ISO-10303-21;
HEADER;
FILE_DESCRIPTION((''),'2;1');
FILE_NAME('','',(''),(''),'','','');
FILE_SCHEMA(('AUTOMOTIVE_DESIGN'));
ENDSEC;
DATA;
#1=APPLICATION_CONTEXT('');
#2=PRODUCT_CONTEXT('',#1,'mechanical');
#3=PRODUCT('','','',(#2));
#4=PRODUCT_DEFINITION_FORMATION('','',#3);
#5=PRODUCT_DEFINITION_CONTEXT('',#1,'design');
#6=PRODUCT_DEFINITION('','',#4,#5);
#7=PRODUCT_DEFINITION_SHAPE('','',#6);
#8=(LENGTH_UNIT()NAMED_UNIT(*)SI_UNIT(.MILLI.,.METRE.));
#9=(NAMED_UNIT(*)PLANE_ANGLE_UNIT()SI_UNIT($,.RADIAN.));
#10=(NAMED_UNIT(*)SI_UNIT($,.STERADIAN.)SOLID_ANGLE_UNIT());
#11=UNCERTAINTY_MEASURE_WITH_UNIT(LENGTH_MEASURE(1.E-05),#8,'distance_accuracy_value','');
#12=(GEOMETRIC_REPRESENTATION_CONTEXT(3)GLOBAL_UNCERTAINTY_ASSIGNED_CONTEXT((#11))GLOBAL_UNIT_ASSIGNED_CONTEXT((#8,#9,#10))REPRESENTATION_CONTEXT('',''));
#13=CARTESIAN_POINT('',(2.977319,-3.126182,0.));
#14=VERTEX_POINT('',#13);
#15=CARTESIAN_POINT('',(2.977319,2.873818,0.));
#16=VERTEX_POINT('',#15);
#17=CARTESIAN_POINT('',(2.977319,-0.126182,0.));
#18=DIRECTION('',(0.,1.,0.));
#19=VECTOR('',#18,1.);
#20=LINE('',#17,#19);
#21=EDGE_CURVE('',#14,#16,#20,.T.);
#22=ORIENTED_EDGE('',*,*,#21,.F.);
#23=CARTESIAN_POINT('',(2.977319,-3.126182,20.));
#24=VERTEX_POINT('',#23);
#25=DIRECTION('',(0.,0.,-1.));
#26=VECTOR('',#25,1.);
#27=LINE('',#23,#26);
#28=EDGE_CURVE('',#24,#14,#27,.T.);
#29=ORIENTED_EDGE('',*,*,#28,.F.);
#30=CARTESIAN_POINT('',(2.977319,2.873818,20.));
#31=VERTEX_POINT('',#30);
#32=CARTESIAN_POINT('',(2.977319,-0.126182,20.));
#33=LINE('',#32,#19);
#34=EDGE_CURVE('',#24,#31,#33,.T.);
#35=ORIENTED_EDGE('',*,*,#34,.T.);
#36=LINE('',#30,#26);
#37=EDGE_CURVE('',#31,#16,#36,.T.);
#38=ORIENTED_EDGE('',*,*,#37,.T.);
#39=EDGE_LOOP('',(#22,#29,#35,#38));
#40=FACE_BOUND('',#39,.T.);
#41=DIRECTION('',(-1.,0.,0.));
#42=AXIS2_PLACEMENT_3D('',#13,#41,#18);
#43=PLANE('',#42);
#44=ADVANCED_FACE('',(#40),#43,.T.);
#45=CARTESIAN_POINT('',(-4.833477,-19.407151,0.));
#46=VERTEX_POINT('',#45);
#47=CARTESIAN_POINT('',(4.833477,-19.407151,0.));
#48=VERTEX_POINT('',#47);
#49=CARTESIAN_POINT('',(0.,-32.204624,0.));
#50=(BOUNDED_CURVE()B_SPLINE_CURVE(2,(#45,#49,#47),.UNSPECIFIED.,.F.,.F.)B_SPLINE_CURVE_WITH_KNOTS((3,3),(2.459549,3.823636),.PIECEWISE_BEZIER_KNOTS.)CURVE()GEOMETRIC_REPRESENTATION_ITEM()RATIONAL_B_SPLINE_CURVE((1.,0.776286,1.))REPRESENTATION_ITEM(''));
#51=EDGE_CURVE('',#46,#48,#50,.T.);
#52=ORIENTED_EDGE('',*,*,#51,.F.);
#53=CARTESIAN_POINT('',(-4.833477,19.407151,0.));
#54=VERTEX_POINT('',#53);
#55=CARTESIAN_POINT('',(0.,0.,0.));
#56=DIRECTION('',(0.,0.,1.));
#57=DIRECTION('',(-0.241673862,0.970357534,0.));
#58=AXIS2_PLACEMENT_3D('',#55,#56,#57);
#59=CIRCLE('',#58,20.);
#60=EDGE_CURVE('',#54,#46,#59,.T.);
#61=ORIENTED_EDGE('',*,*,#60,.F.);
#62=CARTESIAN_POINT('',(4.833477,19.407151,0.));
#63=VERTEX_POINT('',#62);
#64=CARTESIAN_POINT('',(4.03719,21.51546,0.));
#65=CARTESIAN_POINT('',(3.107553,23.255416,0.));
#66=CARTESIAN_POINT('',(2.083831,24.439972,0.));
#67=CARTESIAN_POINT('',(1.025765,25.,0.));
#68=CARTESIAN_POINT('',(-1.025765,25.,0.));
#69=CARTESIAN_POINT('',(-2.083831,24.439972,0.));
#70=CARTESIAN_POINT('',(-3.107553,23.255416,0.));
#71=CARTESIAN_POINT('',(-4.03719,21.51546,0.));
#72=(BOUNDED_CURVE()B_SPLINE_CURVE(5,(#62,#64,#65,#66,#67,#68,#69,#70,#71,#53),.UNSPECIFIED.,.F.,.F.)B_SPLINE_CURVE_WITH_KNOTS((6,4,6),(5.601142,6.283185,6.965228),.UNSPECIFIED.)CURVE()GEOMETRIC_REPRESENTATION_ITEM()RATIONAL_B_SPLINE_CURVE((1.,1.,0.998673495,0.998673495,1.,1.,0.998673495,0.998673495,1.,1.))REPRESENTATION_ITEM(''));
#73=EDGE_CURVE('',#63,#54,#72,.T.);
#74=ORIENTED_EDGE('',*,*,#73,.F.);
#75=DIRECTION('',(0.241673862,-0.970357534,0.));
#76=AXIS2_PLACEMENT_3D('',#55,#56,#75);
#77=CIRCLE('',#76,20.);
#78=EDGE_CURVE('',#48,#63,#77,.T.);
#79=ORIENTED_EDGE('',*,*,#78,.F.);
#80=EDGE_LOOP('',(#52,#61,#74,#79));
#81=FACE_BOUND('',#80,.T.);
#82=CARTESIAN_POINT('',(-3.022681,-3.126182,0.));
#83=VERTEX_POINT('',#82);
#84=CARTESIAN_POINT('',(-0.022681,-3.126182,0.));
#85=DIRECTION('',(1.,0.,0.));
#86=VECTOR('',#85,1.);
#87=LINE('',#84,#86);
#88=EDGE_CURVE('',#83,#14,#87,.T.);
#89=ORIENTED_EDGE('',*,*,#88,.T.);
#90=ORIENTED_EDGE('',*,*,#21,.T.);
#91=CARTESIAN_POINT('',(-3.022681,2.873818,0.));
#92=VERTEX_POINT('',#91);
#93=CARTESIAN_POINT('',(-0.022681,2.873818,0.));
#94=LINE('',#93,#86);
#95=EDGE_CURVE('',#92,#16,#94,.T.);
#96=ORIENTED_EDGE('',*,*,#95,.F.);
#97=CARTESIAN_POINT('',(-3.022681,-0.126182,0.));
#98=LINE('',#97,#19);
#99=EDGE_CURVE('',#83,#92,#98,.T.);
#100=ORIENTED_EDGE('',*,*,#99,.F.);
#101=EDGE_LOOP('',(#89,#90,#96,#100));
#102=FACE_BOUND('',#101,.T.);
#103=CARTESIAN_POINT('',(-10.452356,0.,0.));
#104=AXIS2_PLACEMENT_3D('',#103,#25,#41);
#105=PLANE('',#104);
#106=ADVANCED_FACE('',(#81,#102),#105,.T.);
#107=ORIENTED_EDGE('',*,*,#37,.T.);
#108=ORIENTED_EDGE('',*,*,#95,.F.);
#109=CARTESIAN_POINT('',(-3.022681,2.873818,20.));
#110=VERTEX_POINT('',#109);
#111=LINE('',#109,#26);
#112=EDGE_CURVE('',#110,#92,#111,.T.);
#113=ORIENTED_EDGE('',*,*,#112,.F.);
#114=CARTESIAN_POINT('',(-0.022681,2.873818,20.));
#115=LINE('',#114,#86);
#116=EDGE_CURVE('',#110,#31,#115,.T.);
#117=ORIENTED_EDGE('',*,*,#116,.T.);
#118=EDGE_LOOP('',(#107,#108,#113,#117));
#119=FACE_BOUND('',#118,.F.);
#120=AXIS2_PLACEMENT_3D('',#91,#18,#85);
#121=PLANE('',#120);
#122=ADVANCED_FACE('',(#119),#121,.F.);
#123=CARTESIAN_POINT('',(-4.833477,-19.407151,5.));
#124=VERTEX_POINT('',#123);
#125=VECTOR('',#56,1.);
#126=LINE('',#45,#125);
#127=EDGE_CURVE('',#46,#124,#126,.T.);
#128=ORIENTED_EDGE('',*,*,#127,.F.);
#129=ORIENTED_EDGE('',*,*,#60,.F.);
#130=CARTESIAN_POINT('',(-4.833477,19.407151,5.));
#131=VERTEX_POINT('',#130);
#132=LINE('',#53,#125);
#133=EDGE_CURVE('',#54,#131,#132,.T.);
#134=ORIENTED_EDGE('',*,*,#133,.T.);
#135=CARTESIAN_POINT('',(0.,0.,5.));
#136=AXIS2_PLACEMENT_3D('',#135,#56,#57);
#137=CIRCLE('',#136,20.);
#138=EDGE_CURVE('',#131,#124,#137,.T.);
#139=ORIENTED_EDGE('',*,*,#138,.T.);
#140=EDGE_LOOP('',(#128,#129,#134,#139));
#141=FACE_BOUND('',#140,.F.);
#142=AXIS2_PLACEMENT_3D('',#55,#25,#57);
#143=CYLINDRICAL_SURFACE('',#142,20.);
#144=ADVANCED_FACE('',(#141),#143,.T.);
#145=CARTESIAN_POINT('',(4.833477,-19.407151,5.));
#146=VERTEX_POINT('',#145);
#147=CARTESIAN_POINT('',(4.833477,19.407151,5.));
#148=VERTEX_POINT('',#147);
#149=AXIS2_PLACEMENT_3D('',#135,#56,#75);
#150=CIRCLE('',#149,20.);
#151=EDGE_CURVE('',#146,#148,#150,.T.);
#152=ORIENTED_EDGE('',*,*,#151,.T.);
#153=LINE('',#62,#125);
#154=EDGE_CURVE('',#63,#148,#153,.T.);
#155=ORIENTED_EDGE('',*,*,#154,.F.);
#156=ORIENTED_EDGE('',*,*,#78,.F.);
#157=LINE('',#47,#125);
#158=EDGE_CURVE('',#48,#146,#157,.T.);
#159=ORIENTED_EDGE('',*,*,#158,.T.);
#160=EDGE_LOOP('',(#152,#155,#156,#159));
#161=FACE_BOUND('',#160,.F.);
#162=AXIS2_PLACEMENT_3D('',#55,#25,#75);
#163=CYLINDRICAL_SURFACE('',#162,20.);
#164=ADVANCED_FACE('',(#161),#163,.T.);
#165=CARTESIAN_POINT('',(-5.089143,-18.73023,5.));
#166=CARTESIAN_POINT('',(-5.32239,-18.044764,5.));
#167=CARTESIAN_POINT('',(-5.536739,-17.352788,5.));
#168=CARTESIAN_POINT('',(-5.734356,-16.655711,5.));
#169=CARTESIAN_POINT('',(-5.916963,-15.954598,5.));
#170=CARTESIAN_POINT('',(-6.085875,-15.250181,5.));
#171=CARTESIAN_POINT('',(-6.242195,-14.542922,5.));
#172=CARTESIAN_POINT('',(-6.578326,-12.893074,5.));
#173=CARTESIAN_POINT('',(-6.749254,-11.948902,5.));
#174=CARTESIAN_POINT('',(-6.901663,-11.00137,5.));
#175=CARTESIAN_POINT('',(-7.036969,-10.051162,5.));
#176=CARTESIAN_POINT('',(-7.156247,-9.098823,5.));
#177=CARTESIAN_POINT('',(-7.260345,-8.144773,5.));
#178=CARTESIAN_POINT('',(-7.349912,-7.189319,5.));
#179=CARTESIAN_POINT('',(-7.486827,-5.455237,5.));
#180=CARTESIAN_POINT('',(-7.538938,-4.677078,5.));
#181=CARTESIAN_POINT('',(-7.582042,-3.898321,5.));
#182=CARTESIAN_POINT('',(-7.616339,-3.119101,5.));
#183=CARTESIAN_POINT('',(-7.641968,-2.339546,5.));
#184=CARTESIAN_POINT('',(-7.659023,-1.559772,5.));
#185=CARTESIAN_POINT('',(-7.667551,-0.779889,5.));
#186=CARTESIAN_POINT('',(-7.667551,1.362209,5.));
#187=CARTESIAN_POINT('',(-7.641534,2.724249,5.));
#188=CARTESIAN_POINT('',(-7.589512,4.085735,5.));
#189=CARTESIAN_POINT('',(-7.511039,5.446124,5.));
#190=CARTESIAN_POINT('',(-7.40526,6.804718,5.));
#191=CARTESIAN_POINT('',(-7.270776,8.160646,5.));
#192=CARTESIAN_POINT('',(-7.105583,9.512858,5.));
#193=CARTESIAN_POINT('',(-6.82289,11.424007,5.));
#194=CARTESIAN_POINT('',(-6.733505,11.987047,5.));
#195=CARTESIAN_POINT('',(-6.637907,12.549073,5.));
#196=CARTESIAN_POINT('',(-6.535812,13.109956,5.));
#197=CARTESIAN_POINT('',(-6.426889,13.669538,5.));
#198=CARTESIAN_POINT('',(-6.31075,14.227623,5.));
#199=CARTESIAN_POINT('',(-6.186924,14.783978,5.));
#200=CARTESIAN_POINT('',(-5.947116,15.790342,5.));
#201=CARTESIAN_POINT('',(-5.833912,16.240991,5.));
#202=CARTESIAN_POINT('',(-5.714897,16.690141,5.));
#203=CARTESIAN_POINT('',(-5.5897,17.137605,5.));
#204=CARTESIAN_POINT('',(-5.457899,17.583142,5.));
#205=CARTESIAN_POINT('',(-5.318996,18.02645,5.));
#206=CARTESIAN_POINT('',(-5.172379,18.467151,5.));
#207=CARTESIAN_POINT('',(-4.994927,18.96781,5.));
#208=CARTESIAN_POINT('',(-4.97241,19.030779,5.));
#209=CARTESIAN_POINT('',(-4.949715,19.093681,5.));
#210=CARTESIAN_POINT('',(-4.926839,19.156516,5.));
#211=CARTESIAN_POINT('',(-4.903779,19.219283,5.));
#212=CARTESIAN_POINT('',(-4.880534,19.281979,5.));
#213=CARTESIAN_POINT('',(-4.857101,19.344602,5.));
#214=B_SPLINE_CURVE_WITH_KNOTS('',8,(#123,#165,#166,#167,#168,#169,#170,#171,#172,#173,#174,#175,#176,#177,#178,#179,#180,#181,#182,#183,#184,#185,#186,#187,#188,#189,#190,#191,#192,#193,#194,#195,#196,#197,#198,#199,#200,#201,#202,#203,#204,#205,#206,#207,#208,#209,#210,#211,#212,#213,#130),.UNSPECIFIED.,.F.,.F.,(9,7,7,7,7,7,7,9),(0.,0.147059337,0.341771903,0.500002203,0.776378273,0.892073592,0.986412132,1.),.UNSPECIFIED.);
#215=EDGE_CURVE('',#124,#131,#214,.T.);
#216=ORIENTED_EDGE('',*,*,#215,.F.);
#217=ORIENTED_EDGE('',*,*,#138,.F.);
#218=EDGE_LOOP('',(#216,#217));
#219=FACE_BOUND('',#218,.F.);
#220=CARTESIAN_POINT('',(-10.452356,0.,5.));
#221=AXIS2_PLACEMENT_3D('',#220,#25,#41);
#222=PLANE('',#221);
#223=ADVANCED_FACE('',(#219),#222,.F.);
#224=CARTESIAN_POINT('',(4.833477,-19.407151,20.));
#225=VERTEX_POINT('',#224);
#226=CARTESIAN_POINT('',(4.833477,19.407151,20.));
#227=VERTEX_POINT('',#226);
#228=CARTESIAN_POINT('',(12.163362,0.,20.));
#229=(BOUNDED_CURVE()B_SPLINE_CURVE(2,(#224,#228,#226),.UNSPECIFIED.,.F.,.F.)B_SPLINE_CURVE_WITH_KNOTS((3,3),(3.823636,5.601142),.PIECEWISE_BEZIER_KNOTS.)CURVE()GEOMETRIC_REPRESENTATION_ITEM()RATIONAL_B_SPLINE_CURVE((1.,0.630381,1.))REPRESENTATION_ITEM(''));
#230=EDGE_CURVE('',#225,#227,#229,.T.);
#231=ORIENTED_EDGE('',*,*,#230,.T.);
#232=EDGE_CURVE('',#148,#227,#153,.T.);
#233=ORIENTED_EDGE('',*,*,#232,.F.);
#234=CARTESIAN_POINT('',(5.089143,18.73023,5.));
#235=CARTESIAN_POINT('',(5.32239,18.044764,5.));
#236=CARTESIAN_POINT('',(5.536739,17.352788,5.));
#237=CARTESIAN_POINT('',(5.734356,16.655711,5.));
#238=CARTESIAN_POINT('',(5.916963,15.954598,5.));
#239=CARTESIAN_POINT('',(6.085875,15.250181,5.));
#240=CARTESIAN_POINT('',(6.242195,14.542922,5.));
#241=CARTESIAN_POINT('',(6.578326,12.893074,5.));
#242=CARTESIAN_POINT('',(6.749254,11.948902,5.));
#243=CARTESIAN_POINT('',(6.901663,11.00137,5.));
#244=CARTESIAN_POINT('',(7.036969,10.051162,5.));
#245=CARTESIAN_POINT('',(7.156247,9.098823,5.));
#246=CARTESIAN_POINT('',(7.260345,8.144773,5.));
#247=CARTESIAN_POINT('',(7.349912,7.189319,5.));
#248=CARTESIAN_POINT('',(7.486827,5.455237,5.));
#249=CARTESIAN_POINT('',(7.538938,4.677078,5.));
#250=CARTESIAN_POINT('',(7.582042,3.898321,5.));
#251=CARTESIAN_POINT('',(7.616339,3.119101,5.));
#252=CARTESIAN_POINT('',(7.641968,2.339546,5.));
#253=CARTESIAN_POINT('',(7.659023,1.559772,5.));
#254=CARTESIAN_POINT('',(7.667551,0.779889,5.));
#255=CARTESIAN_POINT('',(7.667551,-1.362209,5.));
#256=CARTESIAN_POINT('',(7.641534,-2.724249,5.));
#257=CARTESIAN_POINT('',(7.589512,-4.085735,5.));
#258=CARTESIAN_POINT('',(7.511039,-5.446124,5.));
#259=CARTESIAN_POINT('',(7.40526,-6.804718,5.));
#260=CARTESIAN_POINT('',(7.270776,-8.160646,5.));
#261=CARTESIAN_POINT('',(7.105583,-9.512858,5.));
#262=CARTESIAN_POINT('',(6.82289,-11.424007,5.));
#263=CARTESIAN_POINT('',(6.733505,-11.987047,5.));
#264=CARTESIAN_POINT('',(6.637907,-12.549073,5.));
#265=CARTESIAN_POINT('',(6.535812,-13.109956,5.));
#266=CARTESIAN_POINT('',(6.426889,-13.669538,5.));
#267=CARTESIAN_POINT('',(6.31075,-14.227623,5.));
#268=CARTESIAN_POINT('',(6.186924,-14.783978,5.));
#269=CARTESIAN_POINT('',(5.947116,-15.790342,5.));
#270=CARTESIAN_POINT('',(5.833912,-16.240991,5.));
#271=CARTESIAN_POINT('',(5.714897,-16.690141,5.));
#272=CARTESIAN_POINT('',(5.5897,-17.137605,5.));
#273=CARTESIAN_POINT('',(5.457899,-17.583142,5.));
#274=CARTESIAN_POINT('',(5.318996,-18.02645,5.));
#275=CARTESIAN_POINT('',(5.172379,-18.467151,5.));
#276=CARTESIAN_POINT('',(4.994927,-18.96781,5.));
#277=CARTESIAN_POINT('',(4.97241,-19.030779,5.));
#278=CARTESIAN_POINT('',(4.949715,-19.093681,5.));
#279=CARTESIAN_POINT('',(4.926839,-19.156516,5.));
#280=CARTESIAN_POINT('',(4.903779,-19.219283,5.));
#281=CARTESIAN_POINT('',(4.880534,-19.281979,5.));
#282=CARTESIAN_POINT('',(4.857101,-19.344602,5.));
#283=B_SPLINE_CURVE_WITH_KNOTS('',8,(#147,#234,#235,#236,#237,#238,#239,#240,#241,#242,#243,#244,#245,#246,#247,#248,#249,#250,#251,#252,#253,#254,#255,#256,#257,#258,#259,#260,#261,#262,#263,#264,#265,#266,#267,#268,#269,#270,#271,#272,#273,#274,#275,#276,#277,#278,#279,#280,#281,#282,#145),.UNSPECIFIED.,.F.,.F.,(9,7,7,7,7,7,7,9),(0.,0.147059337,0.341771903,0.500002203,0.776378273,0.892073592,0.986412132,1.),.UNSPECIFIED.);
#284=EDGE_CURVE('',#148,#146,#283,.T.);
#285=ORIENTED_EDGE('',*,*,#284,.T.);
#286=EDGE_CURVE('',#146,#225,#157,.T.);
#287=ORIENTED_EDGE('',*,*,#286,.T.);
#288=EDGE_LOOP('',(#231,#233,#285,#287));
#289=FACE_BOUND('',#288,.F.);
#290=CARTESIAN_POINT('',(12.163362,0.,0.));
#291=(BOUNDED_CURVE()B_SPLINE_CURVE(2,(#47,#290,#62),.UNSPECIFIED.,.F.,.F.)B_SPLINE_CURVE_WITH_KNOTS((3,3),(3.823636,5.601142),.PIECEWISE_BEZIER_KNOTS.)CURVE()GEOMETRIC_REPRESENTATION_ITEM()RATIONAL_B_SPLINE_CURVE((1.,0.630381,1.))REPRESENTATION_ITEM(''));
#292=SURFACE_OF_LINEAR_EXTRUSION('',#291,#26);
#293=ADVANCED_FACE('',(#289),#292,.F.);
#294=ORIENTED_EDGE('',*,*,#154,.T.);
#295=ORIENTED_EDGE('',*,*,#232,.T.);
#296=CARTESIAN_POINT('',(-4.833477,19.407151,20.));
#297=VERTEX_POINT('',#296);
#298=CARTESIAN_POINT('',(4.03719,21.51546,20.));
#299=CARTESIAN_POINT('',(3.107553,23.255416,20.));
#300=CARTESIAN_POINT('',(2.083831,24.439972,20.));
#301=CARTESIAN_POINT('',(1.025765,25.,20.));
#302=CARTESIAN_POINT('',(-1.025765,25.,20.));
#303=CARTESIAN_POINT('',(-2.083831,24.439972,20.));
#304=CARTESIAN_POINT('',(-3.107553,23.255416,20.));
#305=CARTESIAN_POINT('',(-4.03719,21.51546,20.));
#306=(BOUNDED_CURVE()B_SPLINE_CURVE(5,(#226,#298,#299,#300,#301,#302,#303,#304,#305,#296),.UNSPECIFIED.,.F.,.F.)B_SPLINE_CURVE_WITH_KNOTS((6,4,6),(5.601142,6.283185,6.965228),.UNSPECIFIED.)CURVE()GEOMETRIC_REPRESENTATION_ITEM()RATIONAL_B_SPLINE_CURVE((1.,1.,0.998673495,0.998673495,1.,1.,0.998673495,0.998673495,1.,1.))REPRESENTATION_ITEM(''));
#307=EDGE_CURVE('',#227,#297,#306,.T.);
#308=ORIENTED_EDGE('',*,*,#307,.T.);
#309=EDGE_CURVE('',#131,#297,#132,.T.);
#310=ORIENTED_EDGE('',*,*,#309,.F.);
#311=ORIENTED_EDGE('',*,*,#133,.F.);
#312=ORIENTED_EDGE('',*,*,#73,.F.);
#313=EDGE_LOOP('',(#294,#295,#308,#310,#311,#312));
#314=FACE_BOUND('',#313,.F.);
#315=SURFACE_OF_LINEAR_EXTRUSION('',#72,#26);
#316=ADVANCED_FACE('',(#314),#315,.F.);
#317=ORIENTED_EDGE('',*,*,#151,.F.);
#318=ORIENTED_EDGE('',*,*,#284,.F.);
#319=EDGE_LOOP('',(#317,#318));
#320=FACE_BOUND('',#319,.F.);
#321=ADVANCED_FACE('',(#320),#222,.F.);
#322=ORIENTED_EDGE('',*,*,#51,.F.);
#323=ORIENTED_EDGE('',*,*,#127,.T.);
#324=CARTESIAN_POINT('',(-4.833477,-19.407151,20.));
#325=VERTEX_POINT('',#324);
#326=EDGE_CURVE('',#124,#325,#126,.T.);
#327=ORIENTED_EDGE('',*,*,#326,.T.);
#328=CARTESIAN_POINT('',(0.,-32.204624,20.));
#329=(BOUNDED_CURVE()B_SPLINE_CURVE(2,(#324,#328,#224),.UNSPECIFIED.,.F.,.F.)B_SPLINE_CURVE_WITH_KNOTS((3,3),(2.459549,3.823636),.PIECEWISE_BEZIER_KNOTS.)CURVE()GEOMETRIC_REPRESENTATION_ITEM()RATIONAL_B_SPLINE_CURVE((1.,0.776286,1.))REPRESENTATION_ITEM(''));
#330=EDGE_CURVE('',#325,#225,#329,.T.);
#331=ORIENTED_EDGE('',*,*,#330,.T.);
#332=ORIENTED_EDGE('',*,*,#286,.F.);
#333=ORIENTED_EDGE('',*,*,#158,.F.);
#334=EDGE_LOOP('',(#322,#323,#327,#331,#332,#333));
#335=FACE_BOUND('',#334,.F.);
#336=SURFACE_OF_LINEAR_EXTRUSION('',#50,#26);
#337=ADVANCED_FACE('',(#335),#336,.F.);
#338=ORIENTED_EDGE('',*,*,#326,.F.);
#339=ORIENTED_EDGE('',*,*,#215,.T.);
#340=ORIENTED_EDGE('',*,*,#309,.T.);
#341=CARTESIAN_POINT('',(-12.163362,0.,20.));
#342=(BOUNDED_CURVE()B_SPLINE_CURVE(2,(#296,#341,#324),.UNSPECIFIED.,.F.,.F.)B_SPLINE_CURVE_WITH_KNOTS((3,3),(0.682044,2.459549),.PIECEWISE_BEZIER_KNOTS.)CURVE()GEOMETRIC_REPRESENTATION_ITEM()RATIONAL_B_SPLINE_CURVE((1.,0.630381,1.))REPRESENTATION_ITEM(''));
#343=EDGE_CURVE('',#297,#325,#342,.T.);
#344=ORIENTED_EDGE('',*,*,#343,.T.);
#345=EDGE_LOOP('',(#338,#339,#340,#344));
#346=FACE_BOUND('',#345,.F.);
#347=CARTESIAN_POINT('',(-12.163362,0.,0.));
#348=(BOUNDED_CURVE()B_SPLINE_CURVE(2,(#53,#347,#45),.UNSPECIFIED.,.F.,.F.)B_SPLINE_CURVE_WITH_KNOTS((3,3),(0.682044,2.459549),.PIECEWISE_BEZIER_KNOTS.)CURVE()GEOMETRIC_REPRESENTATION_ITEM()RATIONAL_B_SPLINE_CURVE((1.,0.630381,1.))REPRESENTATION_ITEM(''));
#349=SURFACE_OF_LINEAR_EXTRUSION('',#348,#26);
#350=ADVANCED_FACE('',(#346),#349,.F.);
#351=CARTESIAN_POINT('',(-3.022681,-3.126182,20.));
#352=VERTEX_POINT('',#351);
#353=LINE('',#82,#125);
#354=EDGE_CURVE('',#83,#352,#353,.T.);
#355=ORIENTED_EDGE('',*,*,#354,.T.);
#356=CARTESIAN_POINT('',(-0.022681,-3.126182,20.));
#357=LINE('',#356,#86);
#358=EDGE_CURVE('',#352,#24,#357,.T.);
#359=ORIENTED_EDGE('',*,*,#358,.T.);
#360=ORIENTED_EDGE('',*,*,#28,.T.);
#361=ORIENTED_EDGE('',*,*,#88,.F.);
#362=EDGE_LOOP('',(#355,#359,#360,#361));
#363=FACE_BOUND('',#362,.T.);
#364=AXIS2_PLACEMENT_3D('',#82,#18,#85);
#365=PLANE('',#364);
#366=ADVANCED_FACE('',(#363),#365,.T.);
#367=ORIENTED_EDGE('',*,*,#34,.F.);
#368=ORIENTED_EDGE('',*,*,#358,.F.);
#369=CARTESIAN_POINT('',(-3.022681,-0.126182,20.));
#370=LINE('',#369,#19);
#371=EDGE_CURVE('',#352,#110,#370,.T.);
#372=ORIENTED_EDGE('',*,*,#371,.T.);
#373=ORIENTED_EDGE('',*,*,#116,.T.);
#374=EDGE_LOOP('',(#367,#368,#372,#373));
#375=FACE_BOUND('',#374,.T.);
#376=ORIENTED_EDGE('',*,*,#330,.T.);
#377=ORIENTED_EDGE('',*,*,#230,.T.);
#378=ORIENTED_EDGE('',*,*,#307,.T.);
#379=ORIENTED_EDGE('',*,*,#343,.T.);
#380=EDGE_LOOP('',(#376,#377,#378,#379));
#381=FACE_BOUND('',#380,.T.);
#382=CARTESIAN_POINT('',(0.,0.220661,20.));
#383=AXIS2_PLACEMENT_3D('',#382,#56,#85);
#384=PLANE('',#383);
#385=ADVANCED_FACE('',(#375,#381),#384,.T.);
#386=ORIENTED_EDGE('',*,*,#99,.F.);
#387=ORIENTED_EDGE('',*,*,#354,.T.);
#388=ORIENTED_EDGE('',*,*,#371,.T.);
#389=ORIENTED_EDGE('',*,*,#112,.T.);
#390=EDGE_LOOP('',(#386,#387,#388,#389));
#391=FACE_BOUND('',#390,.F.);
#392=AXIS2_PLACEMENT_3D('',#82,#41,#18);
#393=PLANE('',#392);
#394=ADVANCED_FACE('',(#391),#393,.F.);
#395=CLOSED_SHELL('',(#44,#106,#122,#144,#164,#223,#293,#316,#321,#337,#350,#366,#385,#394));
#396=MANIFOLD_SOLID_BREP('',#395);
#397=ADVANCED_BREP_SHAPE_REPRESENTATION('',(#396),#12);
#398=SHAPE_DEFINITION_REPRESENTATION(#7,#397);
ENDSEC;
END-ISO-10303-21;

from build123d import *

# Parameters (mm, degrees)
F0_W     = 6
F0_H     = 6
F1_DEPTH = 20
F2_DEPTH = 5


with BuildPart() as f1:
    # F0 (on Top) → F1 (new body)
    with BuildSketch(Plane.XY):
        with BuildLine():
            add(Edge.make_bspline(
                [(0, 25), (-2.721114, 25), (-4.833477, 19.407151)],
                knots=[0, 0, 0, 0.682044, 0.682044, 0.682044], degree=2, weights=[1, 0.942413, 1]))
            add(Edge.make_bspline(
                [(-4.833477, 19.407151), (-12.163362, 0), (-4.833477, -19.407151)],
                knots=[0.682044, 0.682044, 0.682044, 2.459549, 2.459549, 2.459549], degree=2, weights=[1, 0.630381, 1]))
            add(Edge.make_bspline(
                [(-4.833477, -19.407151), (0, -32.204624), (4.833477, -19.407151)],
                knots=[2.459549, 2.459549, 2.459549, 3.823636, 3.823636, 3.823636], degree=2, weights=[1, 0.776286, 1]))
            add(Edge.make_bspline(
                [(4.833477, -19.407151), (12.163362, 0), (4.833477, 19.407151)],
                knots=[3.823636, 3.823636, 3.823636, 5.601142, 5.601142, 5.601142], degree=2, weights=[1, 0.630381, 1]))
            add(Edge.make_bspline(
                [(4.833477, 19.407151), (2.721114, 25), (0, 25)],
                knots=[5.601142, 5.601142, 5.601142, 6.283185, 6.283185, 6.283185], degree=2, weights=[1, 0.942413, 1]))
        make_face()
        with Locations((-0.022681, -0.126182)):
            Rectangle(F0_W, F0_H, mode=Mode.SUBTRACT)
    extrude(amount=F1_DEPTH)

    # F0 (on Top) → F2 (join)
    with BuildSketch(Plane.XY):
        with BuildLine():
            add(Edge.make_bspline(
                [(-4.833477, 19.407151), (-12.163362, 0), (-4.833477, -19.407151)],
                knots=[0.682044, 0.682044, 0.682044, 2.459549, 2.459549, 2.459549], degree=2, weights=[1, 0.630381, 1]))
            ThreePointArc((-4.833477, 19.407151), (-20, 0), (-4.833477, -19.407151))
        make_face()
        with BuildLine():
            add(Edge.make_bspline(
                [(0, 25), (-2.721114, 25), (-4.833477, 19.407151)],
                knots=[0, 0, 0, 0.682044, 0.682044, 0.682044], degree=2, weights=[1, 0.942413, 1]))
            add(Edge.make_bspline(
                [(-4.833477, 19.407151), (-12.163362, 0), (-4.833477, -19.407151)],
                knots=[0.682044, 0.682044, 0.682044, 2.459549, 2.459549, 2.459549], degree=2, weights=[1, 0.630381, 1]))
            add(Edge.make_bspline(
                [(-4.833477, -19.407151), (0, -32.204624), (4.833477, -19.407151)],
                knots=[2.459549, 2.459549, 2.459549, 3.823636, 3.823636, 3.823636], degree=2, weights=[1, 0.776286, 1]))
            add(Edge.make_bspline(
                [(4.833477, -19.407151), (12.163362, 0), (4.833477, 19.407151)],
                knots=[3.823636, 3.823636, 3.823636, 5.601142, 5.601142, 5.601142], degree=2, weights=[1, 0.630381, 1]))
            add(Edge.make_bspline(
                [(4.833477, 19.407151), (2.721114, 25), (0, 25)],
                knots=[5.601142, 5.601142, 5.601142, 6.283185, 6.283185, 6.283185], degree=2, weights=[1, 0.942413, 1]))
        make_face()
        with Locations((-0.022681, -0.126182)):
            Rectangle(F0_W, F0_H, mode=Mode.SUBTRACT)
        with BuildLine():
            add(Edge.make_bspline(
                [(4.833477, -19.407151), (12.163362, 0), (4.833477, 19.407151)],
                knots=[3.823636, 3.823636, 3.823636, 5.601142, 5.601142, 5.601142], degree=2, weights=[1, 0.630381, 1]))
            ThreePointArc((4.833477, -19.407151), (20, 0), (4.833477, 19.407151))
        make_face()
    extrude(amount=F2_DEPTH)


solid = f1.part
